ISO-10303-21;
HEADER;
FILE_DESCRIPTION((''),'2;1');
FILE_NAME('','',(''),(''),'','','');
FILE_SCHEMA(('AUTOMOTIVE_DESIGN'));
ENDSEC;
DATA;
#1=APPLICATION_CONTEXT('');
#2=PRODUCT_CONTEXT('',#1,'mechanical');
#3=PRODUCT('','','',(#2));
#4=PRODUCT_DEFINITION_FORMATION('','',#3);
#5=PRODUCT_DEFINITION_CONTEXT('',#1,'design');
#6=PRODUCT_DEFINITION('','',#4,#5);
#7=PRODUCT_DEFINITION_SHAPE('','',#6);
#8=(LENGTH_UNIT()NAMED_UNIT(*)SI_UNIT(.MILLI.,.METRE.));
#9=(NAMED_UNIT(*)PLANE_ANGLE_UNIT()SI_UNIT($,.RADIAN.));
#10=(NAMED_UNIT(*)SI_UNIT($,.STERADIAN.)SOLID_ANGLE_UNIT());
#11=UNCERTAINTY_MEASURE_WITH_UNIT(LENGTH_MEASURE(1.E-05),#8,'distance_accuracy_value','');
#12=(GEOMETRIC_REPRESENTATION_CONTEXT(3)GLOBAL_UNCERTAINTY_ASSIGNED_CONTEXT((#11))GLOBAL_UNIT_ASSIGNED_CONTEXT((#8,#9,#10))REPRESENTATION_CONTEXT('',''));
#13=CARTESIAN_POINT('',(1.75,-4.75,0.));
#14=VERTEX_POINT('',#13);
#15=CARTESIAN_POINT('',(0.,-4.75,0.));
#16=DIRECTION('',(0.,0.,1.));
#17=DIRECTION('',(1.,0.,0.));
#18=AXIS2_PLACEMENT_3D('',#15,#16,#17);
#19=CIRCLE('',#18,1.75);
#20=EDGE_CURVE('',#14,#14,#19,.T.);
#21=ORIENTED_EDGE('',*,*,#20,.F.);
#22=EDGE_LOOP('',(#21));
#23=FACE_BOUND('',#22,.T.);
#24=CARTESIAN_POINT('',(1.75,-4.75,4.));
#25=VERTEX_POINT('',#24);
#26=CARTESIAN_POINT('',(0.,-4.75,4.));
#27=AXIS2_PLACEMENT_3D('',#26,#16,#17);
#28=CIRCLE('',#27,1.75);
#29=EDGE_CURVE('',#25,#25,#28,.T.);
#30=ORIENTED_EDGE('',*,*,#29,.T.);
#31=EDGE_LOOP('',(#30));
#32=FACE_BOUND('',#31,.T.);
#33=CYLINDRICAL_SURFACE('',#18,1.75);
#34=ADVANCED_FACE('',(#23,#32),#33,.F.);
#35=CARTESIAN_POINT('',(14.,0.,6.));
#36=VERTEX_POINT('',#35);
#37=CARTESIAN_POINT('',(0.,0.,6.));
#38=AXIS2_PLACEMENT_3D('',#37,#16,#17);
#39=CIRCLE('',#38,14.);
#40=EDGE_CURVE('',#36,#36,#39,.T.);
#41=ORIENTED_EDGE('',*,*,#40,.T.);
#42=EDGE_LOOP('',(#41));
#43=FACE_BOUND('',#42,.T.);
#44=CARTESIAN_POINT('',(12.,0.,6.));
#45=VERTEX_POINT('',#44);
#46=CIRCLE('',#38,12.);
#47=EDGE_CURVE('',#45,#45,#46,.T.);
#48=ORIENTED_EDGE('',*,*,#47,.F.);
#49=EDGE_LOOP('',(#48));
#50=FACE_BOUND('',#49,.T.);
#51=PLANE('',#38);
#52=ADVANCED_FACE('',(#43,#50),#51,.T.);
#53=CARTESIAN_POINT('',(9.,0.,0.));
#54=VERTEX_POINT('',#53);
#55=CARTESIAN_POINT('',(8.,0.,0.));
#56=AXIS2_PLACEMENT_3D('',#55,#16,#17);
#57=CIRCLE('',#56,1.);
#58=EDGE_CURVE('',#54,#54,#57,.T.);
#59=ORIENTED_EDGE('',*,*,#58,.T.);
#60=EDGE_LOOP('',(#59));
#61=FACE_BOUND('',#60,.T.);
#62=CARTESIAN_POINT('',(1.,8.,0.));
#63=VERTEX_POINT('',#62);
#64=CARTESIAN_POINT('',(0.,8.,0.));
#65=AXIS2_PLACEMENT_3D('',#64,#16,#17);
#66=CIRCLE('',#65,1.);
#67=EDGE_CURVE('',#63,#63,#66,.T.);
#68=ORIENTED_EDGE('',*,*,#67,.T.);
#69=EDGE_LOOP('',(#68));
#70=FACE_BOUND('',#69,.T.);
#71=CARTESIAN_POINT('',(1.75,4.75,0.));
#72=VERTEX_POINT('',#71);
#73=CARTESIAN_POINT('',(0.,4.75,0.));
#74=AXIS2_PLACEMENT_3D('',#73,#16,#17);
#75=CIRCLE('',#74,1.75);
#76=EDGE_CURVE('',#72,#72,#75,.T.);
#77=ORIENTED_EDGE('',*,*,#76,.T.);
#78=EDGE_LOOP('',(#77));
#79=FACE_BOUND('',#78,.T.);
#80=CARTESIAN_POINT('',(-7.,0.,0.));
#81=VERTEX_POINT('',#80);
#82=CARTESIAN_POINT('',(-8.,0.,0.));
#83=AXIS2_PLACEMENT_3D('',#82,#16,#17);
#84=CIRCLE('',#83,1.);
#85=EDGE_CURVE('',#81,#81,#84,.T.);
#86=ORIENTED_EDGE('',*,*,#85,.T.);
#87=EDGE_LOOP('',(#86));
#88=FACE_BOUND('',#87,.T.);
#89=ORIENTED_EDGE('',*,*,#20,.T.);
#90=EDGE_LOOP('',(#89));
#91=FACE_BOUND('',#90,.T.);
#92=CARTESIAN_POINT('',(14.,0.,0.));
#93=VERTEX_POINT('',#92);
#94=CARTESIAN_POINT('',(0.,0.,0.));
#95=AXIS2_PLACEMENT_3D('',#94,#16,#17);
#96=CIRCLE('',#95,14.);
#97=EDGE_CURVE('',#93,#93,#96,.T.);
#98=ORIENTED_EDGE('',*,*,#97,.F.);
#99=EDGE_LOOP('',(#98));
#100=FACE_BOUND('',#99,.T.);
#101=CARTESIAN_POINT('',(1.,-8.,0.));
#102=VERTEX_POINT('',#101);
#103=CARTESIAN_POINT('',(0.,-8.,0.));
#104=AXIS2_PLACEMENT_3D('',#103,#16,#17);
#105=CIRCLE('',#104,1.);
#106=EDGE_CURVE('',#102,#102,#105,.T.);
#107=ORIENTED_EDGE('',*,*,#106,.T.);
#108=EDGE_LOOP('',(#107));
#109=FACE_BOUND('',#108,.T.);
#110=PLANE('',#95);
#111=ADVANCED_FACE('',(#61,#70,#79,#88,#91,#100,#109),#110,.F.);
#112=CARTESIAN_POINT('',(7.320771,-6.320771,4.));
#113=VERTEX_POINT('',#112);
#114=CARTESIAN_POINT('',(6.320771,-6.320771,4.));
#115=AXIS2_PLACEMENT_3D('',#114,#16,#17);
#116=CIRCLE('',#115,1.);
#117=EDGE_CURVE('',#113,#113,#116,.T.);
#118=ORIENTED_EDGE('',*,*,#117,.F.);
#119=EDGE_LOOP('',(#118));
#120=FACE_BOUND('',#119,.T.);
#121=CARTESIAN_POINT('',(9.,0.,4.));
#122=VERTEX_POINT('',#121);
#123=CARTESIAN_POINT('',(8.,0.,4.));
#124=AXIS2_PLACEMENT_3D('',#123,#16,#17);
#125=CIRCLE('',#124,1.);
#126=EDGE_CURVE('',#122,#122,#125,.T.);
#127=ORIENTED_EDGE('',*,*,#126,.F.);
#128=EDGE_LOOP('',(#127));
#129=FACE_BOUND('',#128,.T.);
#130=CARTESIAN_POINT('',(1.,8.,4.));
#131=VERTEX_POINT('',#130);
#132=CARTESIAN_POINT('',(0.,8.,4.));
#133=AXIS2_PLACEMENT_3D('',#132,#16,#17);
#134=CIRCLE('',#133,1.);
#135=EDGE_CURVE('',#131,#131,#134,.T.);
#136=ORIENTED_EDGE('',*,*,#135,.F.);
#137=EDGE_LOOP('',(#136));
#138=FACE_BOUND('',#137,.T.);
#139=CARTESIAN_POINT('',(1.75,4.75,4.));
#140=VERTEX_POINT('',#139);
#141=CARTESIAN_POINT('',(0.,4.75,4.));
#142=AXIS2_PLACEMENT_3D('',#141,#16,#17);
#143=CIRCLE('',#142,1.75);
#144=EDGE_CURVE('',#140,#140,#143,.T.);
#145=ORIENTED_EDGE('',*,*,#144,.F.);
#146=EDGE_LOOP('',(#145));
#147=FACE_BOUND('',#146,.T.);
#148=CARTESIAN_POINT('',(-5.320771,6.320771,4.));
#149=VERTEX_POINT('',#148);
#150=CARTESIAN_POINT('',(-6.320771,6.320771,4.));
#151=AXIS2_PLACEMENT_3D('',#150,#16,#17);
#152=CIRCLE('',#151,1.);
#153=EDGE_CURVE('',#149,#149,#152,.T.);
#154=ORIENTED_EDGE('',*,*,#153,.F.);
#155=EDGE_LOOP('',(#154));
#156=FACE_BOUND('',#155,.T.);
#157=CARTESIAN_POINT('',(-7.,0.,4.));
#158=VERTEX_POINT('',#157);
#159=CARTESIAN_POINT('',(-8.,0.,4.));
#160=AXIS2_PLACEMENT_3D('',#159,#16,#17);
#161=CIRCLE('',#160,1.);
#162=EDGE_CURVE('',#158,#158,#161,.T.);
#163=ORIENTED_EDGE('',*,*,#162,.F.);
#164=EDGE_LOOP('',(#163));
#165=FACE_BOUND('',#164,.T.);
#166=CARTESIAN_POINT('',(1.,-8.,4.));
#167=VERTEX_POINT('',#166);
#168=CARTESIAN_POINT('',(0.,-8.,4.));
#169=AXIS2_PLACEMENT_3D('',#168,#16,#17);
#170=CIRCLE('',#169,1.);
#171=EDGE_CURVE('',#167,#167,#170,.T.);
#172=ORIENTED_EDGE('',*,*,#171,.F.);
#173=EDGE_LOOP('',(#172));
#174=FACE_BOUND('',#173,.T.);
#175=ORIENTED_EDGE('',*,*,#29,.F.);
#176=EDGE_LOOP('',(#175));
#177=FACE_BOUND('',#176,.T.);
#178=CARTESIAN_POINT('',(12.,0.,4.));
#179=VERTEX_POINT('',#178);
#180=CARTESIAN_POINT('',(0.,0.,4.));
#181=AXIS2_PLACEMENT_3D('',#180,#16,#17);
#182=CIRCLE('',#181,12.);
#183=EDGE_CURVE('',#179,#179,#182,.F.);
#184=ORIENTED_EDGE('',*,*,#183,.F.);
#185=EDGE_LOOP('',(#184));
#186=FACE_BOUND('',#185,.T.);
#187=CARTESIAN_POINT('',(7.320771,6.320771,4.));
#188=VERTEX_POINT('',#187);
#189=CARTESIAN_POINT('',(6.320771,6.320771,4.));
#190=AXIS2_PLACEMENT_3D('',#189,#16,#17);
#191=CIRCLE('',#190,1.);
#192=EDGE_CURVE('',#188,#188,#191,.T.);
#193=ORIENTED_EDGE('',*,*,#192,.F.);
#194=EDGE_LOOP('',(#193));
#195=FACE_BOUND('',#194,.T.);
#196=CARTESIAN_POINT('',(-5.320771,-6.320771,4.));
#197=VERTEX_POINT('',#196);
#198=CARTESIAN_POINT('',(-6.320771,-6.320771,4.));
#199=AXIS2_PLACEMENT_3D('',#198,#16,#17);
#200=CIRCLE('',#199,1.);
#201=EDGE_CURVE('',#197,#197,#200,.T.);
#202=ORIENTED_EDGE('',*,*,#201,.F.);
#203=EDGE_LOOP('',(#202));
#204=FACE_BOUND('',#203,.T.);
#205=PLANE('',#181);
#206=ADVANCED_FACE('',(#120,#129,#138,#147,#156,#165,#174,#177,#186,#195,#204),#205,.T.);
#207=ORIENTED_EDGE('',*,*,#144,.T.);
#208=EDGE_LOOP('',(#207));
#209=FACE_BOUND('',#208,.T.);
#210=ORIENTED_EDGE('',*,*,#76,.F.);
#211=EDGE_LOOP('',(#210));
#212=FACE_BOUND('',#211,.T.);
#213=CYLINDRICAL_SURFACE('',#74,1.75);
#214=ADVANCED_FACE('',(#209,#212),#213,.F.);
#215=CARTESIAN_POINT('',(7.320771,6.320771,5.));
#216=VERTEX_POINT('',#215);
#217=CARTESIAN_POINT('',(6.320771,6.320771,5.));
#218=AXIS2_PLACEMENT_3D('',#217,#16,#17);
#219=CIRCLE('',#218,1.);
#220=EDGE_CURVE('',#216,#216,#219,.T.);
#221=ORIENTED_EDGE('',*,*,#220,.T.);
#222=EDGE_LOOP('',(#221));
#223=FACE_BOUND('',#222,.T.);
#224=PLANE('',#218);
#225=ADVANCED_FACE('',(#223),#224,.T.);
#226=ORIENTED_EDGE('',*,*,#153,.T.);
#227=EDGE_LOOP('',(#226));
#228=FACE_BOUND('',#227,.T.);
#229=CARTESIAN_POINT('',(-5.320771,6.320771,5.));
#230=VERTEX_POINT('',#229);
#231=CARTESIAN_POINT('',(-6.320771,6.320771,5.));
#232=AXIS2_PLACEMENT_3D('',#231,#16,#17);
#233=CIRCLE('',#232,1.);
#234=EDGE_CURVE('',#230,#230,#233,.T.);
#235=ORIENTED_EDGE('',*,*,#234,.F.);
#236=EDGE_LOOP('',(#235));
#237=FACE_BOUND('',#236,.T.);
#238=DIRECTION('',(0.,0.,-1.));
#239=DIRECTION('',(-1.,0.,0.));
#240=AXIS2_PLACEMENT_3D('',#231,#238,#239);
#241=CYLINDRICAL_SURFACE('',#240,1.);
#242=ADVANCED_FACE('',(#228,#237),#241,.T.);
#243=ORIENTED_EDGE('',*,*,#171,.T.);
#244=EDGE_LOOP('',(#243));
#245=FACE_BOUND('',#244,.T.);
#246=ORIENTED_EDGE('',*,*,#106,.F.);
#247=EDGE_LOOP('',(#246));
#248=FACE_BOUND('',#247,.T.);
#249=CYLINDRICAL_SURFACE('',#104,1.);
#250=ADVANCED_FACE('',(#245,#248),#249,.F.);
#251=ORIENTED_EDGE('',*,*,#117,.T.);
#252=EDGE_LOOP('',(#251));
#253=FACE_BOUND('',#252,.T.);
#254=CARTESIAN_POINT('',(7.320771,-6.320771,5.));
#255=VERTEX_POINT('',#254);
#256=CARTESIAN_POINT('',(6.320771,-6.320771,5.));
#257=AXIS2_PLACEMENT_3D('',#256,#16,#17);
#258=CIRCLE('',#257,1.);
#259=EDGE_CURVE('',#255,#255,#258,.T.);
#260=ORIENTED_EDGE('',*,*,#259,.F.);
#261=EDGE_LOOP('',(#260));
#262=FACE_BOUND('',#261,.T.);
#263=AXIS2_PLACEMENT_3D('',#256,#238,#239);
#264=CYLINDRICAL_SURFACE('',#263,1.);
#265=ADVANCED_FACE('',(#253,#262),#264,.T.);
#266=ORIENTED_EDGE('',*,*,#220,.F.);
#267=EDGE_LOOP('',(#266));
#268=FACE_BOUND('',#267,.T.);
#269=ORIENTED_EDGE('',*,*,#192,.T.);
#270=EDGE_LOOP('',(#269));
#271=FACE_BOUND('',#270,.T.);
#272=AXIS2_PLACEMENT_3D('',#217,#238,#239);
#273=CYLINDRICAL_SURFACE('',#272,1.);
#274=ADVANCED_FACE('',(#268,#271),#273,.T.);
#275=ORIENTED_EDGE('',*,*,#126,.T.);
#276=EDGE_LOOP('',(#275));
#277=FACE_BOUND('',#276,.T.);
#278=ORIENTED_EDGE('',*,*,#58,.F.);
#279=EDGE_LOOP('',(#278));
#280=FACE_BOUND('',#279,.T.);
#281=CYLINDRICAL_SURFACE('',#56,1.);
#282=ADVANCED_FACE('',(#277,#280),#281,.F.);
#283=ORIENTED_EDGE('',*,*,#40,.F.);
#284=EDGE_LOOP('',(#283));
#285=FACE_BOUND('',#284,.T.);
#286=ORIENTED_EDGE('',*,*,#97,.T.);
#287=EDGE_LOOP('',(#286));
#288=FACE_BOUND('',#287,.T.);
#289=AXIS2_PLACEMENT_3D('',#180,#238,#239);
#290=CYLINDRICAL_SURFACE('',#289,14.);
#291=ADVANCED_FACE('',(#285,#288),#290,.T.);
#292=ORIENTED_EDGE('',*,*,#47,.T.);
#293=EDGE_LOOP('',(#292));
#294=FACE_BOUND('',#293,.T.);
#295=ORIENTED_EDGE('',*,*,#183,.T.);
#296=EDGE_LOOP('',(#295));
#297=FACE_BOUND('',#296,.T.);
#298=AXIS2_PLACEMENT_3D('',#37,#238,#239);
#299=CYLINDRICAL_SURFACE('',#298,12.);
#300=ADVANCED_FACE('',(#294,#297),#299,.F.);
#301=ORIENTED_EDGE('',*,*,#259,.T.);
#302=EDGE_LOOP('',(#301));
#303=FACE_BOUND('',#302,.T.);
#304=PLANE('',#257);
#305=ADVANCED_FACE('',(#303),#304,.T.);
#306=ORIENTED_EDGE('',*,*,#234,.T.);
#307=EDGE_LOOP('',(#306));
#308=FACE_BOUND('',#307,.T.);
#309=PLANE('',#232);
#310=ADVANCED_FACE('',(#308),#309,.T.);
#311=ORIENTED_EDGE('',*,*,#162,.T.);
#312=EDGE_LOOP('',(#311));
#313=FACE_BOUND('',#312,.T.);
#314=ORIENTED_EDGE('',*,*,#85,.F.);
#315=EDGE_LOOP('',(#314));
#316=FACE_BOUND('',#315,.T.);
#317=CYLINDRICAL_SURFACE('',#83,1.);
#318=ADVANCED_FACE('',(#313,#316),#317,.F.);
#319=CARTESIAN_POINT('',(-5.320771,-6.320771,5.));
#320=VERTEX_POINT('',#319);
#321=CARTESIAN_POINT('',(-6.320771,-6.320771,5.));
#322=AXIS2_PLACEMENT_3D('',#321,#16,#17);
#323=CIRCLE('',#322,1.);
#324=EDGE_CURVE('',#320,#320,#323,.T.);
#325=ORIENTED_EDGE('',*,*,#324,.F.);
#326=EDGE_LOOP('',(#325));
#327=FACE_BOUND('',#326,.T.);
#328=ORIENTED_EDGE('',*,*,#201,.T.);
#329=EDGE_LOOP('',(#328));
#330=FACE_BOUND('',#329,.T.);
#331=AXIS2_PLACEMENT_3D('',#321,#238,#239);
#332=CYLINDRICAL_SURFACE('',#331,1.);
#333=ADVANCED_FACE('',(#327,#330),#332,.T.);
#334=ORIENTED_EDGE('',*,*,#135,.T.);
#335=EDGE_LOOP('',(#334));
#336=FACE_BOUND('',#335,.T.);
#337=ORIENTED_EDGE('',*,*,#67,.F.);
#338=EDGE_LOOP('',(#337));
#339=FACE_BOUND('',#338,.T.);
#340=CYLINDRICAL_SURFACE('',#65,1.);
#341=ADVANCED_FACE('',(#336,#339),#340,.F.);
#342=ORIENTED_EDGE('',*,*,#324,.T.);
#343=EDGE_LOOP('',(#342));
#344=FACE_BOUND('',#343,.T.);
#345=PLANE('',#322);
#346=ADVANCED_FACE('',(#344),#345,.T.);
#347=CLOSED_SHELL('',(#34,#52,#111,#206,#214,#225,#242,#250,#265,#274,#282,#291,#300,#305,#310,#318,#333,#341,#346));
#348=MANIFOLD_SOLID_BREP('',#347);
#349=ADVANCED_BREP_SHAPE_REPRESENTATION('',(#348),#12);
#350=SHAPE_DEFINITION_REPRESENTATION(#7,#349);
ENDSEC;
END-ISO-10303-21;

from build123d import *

# Parameters (mm, degrees)
SKETCH1_R           = 14
BOSS_EXTRUDE1_DEPTH = 4
SKETCH2_R           = 14
SKETCH2_R_2         = 12
BOSS_EXTRUDE2_DEPTH = 2
SKETCH3_R           = 1
CUT_EXTRUDE1_DEPTH  = 21.199009877
SKETCH4_R           = 1.75
CUT_EXTRUDE2_DEPTH  = 21.199009877
SKETCH5_R           = 1
BOSS_EXTRUDE3_DEPTH = 1


with BuildPart() as part:
    # Sketch1 → Boss-Extrude1 (new body)
    with BuildSketch(Plane.XY):
        Circle(SKETCH1_R)
    extrude(amount=BOSS_EXTRUDE1_DEPTH)

    # Sketch2 → Boss-Extrude2 (add)
    with BuildSketch(Plane.XY.offset(4)):
        Circle(SKETCH2_R)
        Circle(SKETCH2_R_2, mode=Mode.SUBTRACT)
    extrude(amount=BOSS_EXTRUDE2_DEPTH)

    # Sketch3 → Cut-Extrude1 (cut, through all)
    with BuildSketch(Plane.XY.offset(4)):
        with Locations((0, 8)):
            Circle(SKETCH3_R)
        with Locations((8, 0)):
            Circle(SKETCH3_R)
        with Locations((0, -8)):
            Circle(SKETCH3_R)
        with Locations((-8, 0)):
            Circle(SKETCH3_R)
    extrude(amount=-CUT_EXTRUDE1_DEPTH, mode=Mode.SUBTRACT)

    # Sketch4 → Cut-Extrude2 (cut, through all)
    with BuildSketch(Plane.XY.offset(4)):
        with Locations((0, 4.75)):
            Circle(SKETCH4_R)
        with Locations((0, -4.75)):
            Circle(SKETCH4_R)
    extrude(amount=-CUT_EXTRUDE2_DEPTH, mode=Mode.SUBTRACT)

    # Sketch5 → Boss-Extrude3 (add)
    with BuildSketch(Plane.XY.offset(4)):
        with Locations((-6.320770843, -6.320770843)):
            Circle(SKETCH5_R)
        with Locations((-6.320770843, 6.320770843)):
            Circle(SKETCH5_R)
        with Locations((6.320770843, 6.320770843)):
            Circle(SKETCH5_R)
        with Locations((6.320770843, -6.320770843)):
            Circle(SKETCH5_R)
    extrude(amount=BOSS_EXTRUDE3_DEPTH)


solid = part.part
